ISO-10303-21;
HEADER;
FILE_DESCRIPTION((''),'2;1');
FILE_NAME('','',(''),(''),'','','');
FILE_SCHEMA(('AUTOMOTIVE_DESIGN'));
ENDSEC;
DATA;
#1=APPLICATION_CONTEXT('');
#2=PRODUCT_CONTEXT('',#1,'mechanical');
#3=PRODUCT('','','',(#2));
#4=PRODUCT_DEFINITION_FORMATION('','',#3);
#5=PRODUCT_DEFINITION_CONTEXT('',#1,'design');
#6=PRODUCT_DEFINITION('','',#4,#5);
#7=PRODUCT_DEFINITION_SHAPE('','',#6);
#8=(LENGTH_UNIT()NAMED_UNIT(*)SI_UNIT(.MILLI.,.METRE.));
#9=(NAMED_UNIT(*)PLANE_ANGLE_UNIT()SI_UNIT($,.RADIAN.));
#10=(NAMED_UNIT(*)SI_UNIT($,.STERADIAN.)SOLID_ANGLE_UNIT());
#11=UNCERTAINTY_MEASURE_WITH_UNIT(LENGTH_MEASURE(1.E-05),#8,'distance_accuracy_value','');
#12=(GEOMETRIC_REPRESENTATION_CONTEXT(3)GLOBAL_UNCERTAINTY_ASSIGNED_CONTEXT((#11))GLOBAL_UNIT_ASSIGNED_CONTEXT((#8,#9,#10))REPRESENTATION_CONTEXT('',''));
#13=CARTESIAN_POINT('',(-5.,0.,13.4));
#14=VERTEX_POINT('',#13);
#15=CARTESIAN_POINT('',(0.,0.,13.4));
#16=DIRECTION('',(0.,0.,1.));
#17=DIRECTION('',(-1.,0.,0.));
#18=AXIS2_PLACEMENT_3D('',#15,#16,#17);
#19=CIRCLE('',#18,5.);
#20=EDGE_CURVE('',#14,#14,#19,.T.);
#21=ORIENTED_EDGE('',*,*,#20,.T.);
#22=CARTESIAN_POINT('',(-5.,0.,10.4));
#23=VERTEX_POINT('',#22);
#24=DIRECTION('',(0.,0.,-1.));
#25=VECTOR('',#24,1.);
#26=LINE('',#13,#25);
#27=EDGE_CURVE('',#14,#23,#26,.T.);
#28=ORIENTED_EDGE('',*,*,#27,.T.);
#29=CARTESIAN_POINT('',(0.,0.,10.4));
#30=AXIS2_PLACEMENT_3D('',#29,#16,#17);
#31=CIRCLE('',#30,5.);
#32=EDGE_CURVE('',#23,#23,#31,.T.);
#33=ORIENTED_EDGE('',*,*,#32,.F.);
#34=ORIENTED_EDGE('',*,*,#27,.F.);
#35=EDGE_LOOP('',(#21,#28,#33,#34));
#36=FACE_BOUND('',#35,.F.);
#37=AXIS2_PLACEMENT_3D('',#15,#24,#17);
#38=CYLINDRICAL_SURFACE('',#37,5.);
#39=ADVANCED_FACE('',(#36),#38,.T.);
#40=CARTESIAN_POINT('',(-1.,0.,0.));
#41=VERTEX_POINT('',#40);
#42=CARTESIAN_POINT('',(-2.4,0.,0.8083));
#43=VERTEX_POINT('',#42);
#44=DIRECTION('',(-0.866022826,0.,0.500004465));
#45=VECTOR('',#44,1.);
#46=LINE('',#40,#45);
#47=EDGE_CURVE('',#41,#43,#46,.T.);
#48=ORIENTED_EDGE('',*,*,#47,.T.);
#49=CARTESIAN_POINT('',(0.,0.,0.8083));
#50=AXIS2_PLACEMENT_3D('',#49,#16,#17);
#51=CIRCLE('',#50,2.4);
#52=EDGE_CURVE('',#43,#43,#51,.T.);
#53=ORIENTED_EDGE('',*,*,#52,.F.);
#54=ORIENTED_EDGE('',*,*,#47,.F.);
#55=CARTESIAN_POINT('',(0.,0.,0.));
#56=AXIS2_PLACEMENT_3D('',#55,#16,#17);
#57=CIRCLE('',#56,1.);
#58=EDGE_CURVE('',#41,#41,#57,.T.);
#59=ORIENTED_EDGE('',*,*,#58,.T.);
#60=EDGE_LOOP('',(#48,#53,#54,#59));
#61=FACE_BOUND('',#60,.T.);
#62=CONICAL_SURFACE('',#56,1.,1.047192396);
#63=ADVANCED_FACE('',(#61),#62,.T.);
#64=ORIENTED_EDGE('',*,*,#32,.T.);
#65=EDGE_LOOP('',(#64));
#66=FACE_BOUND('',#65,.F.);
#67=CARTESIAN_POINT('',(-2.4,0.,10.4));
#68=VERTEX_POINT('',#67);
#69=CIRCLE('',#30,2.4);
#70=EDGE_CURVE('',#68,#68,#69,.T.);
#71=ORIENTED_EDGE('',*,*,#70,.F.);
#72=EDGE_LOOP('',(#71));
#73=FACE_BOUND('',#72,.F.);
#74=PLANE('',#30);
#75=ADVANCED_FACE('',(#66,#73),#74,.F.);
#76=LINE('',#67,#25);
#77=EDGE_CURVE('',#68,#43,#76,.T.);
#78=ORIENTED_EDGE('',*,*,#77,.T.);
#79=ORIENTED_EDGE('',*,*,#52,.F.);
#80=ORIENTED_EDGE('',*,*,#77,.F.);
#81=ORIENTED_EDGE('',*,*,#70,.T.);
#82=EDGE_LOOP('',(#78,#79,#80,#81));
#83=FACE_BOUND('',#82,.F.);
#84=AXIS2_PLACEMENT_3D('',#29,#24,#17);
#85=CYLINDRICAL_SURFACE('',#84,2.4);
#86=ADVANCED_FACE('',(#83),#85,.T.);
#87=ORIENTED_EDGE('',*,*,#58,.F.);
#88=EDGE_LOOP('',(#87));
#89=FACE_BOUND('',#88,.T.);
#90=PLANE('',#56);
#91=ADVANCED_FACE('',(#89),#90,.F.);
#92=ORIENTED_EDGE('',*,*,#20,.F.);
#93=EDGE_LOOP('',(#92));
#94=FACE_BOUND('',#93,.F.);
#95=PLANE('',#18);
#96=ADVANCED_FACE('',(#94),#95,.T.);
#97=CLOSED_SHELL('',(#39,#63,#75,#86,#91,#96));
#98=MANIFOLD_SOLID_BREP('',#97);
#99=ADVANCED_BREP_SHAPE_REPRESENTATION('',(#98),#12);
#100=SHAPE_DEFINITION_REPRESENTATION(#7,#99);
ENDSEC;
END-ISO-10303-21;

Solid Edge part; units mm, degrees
sketch "Sketch1" plane through (0, 0, 0) normal (0, -1, 0) x (1, 0, 0)
  line L0 (0, 13.4) -> (-5, 13.4)
  line L1 (-5, 13.4) -> (-5, 10.4)
  line L2 (-5, 10.4) -> (-2.4, 10.4)
  line L3 (-2.4, 10.4) -> (-2.4, 0.8083)
  line L4 (-1, 0) -> (-2.4, 0.8083)
  line L5 (0, 0) -> (-1, 0)
  dimension "D1" = 5
  dimension "D2" = 10.4
  dimension "D3" = 3
  dimension "D4" = 1
revolve "RevolvedProtrusion1" add sketch "Sketch1" angle 360 about axis through (0, 0, 0) along (0, 0, 1)
